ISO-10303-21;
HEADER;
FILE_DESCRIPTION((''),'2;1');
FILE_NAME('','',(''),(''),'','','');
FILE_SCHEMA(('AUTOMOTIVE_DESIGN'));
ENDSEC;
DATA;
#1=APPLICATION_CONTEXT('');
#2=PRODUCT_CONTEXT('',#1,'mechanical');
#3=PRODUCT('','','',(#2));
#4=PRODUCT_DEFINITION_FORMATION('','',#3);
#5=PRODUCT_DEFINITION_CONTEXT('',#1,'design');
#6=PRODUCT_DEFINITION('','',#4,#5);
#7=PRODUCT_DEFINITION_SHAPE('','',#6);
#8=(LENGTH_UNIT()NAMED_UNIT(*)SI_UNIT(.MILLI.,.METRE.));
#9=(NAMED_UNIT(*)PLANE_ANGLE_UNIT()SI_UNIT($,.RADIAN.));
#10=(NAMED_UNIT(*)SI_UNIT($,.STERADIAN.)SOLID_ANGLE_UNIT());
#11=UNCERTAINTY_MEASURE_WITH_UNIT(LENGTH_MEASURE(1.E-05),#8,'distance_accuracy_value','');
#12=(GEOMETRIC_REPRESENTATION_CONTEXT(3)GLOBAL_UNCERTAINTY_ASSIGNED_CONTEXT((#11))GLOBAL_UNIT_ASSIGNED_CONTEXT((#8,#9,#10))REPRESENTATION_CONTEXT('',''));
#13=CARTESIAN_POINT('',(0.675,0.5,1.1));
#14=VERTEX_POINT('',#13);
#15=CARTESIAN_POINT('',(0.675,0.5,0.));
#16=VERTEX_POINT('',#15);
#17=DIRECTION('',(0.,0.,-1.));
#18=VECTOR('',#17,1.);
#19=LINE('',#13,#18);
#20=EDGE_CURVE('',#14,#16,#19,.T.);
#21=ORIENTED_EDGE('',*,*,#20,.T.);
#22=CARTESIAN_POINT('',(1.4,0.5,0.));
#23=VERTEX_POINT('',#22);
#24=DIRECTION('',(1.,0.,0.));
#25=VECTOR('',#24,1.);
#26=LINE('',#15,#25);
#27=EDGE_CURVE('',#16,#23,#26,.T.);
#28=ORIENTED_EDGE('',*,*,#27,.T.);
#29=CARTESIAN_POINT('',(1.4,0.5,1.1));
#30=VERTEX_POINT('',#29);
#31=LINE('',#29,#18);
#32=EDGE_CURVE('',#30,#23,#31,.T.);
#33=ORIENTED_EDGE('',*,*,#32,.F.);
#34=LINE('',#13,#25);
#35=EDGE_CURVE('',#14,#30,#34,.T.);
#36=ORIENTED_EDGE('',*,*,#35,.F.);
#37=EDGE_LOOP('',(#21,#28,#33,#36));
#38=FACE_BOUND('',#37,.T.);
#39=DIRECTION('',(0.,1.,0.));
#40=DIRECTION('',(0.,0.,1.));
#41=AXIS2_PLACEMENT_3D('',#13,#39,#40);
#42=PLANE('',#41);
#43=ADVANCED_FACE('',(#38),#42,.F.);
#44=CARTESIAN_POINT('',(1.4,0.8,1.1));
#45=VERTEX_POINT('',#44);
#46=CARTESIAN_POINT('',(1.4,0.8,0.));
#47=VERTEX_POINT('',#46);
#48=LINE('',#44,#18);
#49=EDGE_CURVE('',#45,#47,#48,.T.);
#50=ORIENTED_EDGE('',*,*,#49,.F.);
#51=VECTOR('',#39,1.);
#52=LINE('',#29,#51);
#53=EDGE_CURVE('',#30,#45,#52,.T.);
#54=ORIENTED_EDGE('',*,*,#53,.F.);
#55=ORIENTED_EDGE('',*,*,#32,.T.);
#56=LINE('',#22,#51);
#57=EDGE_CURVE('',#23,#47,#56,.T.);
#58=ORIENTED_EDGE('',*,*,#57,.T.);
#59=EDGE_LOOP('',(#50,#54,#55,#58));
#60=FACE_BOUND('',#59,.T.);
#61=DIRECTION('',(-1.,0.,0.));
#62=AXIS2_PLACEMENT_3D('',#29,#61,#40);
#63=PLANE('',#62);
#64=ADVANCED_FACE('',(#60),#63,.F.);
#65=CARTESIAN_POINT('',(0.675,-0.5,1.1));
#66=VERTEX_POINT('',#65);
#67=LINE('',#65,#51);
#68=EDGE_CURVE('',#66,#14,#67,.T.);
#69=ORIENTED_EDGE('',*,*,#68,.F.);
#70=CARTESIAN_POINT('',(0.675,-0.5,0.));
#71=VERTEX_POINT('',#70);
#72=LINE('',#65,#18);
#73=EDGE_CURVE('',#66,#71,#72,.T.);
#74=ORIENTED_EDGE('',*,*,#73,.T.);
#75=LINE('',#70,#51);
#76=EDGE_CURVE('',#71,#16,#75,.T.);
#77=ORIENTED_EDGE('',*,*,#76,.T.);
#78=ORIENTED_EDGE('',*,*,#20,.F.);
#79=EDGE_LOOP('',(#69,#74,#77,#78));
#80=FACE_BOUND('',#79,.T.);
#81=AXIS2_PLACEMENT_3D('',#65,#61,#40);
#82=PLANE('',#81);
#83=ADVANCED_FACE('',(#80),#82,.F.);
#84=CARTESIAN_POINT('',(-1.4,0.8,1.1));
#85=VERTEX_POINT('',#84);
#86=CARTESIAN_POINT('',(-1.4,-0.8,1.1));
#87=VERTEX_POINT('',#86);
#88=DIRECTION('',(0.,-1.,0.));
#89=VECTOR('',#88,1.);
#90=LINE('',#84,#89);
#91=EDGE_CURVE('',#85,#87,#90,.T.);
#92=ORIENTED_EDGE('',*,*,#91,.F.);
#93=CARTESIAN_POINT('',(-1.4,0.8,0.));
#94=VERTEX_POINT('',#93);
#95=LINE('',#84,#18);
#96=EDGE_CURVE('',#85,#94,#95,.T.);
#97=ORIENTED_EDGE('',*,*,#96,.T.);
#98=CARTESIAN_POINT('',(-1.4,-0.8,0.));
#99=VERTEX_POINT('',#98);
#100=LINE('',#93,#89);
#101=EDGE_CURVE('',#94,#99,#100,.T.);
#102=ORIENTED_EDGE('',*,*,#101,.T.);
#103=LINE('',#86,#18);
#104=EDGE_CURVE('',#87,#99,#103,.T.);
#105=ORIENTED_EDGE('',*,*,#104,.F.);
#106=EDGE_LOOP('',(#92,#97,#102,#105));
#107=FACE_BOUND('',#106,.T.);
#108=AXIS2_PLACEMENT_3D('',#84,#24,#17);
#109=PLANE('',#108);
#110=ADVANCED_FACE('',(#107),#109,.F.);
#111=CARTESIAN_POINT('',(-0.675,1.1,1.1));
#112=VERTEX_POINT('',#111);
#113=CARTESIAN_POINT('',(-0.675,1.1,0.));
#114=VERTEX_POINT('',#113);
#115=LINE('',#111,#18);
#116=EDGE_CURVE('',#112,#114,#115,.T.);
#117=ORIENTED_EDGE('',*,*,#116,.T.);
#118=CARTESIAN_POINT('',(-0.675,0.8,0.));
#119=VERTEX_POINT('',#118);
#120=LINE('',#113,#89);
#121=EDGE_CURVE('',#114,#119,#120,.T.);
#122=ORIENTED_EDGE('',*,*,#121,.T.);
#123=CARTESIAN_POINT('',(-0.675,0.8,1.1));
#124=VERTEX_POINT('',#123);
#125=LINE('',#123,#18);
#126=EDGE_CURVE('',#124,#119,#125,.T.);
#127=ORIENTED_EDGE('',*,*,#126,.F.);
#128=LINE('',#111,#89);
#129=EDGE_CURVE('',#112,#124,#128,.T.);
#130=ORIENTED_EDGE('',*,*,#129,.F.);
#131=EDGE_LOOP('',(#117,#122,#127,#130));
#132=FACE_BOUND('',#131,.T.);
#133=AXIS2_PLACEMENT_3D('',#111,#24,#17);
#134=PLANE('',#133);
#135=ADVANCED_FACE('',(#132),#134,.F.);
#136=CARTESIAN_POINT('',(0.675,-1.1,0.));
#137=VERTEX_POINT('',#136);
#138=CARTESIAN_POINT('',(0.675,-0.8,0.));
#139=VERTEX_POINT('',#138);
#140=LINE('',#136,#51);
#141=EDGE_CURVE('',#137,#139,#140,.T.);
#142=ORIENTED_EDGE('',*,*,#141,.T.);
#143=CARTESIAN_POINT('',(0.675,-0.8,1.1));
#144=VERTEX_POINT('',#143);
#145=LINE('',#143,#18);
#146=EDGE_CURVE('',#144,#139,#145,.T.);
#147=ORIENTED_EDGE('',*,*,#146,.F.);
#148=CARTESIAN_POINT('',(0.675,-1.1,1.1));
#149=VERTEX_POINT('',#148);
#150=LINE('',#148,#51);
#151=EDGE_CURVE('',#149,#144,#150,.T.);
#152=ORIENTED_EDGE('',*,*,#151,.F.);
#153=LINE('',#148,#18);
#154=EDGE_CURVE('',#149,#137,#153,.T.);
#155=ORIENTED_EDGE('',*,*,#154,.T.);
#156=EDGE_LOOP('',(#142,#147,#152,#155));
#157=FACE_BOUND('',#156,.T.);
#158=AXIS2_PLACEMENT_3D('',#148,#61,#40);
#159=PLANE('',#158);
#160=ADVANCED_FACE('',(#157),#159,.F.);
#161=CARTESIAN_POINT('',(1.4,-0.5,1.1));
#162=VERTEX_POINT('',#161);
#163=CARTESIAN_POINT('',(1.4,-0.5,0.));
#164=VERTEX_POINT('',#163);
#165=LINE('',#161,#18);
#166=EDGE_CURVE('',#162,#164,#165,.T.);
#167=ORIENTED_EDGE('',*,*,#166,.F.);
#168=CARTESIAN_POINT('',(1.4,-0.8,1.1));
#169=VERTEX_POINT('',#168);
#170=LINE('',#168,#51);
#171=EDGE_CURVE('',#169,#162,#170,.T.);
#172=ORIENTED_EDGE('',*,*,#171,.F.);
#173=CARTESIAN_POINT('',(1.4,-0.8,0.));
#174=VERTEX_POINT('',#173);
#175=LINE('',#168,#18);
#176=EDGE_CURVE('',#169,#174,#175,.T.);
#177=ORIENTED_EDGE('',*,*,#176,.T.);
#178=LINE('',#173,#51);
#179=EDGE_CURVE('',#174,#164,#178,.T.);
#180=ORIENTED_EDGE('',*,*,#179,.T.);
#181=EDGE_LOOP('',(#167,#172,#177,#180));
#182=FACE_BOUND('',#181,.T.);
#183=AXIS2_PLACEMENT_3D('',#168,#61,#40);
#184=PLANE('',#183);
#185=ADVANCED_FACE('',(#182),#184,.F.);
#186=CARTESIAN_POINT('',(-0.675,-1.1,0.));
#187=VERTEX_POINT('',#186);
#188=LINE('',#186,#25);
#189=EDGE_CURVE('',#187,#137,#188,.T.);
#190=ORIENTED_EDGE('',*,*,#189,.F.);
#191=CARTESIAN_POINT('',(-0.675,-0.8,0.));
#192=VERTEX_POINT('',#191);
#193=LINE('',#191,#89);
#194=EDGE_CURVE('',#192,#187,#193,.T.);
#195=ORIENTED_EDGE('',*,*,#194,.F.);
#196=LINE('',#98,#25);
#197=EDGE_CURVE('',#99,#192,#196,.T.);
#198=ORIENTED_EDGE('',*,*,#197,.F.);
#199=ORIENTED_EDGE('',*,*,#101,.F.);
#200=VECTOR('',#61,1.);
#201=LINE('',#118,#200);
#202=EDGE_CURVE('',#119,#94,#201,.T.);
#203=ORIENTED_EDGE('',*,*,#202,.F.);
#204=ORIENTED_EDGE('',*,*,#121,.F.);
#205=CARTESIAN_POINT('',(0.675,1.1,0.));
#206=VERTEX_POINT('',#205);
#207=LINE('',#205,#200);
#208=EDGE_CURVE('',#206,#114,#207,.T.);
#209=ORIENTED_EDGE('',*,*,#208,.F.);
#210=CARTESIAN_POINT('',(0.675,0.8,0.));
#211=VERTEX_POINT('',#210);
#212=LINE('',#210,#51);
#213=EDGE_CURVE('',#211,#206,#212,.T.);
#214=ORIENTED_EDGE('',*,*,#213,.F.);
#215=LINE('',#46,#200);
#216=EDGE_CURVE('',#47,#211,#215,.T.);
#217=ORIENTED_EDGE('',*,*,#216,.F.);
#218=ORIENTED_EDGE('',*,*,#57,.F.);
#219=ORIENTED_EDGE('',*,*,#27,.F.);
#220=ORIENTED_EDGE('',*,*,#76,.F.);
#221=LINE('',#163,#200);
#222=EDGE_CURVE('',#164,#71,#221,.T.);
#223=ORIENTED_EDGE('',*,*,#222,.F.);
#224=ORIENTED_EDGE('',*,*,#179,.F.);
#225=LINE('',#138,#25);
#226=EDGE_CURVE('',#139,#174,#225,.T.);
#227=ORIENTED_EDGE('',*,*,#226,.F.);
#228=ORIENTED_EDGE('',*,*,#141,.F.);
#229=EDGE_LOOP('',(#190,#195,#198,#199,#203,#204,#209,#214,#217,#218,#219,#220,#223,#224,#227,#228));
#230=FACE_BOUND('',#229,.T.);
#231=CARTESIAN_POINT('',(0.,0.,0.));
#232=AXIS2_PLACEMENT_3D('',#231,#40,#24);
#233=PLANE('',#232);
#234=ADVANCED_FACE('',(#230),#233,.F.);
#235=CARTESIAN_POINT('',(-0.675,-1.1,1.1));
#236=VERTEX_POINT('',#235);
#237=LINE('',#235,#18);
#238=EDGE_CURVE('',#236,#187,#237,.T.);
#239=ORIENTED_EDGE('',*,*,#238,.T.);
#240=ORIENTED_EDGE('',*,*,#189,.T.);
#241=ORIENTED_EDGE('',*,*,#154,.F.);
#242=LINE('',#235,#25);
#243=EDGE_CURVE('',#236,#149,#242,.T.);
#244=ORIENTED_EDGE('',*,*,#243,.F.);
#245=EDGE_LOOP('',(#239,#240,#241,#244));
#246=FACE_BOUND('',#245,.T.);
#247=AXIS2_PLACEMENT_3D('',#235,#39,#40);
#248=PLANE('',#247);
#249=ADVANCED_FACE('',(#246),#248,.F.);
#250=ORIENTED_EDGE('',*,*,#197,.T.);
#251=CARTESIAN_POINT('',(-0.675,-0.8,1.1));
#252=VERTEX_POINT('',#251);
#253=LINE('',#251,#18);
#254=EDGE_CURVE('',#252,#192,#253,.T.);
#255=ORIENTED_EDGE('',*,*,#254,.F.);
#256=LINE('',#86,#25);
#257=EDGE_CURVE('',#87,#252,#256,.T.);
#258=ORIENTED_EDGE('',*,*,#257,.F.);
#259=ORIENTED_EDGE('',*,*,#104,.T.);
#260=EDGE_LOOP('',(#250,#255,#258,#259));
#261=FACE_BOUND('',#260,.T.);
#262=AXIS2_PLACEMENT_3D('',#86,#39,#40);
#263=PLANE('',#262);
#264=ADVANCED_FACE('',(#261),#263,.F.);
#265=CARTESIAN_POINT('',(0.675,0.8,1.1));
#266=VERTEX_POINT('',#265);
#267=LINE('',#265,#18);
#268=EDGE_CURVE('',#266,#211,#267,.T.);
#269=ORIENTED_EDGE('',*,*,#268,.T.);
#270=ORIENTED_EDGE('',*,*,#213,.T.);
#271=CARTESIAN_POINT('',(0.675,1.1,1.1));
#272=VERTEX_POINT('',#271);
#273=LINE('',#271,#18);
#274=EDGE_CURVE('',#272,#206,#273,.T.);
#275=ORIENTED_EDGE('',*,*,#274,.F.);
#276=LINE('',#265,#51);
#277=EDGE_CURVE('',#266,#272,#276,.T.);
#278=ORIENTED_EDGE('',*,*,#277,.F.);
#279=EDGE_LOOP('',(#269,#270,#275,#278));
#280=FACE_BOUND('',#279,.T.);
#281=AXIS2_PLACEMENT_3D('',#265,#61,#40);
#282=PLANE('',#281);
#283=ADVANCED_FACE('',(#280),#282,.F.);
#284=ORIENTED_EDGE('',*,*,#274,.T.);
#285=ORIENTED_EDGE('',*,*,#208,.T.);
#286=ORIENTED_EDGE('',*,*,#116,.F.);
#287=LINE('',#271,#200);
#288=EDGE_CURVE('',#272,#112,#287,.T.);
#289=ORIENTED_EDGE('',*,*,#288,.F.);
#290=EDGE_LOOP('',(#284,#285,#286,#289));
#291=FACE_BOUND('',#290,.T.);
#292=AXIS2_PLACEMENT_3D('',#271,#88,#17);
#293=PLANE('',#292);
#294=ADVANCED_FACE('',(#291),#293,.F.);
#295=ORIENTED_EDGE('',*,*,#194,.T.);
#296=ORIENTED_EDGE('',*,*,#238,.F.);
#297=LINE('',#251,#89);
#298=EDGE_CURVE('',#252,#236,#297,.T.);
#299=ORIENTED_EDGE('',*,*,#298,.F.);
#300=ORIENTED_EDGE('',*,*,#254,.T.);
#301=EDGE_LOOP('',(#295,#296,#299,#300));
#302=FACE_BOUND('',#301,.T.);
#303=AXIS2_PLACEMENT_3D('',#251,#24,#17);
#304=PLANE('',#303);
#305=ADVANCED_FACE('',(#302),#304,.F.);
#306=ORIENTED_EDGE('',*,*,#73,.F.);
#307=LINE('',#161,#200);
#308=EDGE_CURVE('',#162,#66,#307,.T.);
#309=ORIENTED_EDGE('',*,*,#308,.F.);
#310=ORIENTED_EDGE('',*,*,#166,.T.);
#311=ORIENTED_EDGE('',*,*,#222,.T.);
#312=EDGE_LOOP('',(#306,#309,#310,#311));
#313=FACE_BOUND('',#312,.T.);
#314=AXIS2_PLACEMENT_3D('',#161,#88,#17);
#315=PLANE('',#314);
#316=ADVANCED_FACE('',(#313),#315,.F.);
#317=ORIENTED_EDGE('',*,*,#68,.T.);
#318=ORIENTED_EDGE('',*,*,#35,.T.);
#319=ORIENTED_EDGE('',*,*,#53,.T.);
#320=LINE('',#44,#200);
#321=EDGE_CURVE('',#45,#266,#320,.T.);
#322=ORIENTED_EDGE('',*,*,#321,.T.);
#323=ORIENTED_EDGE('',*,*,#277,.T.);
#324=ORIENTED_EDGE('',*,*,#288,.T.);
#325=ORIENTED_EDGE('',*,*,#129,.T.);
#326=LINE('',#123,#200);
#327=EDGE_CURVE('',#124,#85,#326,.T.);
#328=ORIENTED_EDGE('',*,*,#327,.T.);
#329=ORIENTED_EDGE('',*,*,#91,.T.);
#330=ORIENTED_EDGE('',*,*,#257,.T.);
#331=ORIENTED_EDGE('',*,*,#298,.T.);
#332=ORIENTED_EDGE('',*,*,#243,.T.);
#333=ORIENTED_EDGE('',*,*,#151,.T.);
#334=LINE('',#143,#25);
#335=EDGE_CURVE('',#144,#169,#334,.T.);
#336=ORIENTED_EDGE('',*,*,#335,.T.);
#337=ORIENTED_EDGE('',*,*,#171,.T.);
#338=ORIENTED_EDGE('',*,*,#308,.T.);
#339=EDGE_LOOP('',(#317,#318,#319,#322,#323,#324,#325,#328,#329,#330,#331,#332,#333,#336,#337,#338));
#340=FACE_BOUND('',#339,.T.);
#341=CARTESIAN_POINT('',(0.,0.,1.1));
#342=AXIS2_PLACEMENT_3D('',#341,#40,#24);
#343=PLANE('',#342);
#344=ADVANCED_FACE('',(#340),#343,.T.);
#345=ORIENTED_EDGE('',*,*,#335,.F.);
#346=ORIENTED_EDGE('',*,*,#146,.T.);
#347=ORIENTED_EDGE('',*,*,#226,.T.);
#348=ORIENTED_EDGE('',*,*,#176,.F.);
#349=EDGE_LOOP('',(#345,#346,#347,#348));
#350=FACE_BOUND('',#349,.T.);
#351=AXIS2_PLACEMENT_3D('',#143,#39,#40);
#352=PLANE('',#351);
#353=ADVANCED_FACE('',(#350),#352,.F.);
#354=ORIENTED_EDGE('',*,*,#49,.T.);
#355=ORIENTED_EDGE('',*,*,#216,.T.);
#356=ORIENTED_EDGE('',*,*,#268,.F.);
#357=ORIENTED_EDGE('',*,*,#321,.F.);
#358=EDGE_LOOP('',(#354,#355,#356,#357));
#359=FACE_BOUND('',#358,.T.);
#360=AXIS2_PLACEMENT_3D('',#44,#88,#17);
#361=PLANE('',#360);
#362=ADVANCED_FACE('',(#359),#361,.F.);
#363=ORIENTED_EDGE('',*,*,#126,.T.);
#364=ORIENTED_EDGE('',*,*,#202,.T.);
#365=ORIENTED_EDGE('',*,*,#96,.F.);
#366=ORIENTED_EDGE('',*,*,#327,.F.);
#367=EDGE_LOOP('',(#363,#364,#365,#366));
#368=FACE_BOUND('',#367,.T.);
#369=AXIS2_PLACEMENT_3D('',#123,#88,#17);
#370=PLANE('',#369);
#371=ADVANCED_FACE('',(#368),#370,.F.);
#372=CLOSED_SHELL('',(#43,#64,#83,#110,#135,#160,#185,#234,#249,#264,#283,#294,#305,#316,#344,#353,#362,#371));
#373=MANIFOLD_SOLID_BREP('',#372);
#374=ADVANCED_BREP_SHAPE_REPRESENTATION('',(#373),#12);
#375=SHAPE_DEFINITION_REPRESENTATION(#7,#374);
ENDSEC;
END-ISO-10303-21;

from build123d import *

# Parameters (mm, degrees)
COMPONENT_OUTLINE_DEPTH = 1.1


with BuildPart() as part:
    # 草图1 → Component_Outline (new body)
    with BuildSketch(Plane.XY):
        Polygon((-1.4, -0.8), (-0.675, -0.8), (-0.675, -1.1), (0.675, -1.1), (0.675, -0.8), (1.4, -0.8), (1.4, -0.5), (0.675, -0.5), (0.675, 0.5), (1.4, 0.5), (1.4, 0.8), (0.675, 0.8), (0.675, 1.1), (-0.675, 1.1), (-0.675, 0.8), (-1.4, 0.8), align=None)
    extrude(amount=COMPONENT_OUTLINE_DEPTH)


solid = part.part
